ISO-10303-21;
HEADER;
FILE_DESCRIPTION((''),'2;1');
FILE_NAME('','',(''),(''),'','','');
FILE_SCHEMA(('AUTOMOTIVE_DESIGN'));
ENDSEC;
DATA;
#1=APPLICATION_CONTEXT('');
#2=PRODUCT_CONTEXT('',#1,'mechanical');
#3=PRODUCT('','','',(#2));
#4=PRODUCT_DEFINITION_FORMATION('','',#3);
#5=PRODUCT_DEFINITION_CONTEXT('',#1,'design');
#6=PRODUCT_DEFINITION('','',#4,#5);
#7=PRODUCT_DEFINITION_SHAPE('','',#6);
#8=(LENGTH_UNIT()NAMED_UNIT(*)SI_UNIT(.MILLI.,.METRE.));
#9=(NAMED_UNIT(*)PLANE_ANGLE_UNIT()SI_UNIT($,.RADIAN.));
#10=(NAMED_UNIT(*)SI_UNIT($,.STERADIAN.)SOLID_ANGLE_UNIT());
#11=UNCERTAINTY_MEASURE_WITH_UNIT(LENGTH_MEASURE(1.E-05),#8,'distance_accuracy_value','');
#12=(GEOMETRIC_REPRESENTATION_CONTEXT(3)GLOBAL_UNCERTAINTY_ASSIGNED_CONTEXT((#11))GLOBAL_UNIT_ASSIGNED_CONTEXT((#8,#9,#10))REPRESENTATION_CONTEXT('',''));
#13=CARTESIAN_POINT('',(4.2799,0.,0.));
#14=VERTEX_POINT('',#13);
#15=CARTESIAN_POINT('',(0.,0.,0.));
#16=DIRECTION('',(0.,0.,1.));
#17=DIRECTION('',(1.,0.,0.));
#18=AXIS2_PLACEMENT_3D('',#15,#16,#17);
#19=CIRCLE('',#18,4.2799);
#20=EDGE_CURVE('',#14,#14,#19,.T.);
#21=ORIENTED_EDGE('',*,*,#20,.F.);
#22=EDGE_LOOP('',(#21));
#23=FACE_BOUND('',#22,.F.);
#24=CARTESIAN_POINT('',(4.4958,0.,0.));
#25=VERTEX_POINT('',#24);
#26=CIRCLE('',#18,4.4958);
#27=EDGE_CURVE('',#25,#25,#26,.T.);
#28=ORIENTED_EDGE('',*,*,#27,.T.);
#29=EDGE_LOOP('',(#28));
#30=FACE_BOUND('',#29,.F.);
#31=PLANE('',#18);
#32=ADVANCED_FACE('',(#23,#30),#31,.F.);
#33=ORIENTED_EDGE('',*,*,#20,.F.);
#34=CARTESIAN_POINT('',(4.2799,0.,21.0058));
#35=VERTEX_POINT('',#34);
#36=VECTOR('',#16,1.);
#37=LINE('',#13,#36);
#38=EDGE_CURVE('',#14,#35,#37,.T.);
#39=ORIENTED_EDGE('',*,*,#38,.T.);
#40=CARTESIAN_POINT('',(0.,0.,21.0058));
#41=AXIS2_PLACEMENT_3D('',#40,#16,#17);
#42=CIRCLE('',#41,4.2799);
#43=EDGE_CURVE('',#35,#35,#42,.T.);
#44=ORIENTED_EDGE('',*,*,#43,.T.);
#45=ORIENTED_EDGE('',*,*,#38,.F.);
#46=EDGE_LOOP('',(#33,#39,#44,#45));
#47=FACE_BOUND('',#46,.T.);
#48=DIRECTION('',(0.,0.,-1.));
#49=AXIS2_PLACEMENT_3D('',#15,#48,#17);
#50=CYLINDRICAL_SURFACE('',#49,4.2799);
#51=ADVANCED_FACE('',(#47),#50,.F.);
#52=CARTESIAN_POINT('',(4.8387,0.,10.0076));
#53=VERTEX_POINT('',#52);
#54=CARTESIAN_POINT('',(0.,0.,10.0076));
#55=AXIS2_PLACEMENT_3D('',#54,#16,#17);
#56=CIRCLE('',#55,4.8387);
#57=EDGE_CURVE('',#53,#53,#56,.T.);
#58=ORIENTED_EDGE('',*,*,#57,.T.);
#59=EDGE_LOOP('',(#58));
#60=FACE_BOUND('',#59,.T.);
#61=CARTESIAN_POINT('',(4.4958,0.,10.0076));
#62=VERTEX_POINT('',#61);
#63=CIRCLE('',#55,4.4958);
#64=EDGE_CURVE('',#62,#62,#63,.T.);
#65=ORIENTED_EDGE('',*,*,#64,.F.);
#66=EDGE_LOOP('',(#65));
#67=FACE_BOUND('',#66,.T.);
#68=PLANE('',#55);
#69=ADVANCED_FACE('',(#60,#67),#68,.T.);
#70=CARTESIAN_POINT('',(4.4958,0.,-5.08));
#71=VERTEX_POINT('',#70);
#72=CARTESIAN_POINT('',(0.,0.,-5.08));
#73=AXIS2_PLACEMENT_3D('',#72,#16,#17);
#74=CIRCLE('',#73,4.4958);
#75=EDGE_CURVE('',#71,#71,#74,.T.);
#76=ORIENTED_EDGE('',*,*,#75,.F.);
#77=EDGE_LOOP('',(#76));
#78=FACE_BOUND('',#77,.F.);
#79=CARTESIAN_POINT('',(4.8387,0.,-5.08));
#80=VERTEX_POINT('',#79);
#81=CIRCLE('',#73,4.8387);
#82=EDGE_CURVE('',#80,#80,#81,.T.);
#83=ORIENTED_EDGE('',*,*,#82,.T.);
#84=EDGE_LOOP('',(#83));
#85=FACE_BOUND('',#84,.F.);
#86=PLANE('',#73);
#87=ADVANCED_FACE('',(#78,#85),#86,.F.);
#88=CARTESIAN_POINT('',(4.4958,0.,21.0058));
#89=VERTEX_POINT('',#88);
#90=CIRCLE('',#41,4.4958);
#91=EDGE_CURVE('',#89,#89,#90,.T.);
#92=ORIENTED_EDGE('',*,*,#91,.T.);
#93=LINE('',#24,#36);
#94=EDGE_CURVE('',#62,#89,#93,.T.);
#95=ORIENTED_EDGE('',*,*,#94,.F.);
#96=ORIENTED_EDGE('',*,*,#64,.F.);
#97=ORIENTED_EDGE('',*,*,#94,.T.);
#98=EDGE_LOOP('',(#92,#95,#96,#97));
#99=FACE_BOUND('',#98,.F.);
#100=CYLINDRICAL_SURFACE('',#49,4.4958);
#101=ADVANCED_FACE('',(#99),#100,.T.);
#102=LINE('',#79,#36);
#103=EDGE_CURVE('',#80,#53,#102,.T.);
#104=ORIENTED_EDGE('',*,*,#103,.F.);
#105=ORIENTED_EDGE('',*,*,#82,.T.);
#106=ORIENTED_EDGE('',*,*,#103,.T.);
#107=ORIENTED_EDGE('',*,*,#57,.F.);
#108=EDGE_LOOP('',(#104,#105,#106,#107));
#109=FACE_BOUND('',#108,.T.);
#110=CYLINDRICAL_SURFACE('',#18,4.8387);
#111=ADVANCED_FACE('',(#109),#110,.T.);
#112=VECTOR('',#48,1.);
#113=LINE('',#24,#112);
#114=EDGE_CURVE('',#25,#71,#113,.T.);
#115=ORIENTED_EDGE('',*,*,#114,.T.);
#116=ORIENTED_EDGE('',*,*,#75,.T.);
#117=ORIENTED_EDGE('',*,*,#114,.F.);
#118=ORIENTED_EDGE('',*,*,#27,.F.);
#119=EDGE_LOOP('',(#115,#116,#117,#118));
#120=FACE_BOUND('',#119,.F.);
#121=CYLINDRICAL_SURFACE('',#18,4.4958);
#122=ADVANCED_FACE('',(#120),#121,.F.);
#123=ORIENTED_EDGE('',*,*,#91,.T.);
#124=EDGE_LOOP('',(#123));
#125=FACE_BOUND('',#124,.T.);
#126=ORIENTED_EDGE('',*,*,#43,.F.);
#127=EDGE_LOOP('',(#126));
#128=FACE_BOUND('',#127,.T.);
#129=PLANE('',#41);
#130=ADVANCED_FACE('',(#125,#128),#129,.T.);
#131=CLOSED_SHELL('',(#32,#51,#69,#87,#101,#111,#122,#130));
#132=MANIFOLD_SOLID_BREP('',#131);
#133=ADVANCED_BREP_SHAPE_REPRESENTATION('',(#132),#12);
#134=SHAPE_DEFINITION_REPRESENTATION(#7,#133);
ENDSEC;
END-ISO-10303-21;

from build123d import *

# Parameters (mm, degrees)
F0_R     = 4.4958
F0_R_2   = 4.2799
F1_DEPTH = 21.0058
F2_R     = 4.8387
F2_R_2   = 4.4958
F3_DEPTH = 10.0076
F4_DEPTH = 5.08


with BuildPart() as f1:
    # F0 (on Top) → F1 (new body)
    with BuildSketch(Plane.XY):
        Circle(F0_R)
        Circle(F0_R_2, mode=Mode.SUBTRACT)
    extrude(amount=F1_DEPTH)

    # F2 (on Top) → F3 (join)
    with BuildSketch(Plane.XY):
        Circle(F2_R)
        Circle(F2_R_2, mode=Mode.SUBTRACT)
    extrude(amount=F3_DEPTH)

    # F2 (on Top) → F4 (join)
    with BuildSketch(Plane.XY):
        Circle(F2_R)
        Circle(F2_R_2, mode=Mode.SUBTRACT)
    extrude(amount=-F4_DEPTH)


solid = f1.part
